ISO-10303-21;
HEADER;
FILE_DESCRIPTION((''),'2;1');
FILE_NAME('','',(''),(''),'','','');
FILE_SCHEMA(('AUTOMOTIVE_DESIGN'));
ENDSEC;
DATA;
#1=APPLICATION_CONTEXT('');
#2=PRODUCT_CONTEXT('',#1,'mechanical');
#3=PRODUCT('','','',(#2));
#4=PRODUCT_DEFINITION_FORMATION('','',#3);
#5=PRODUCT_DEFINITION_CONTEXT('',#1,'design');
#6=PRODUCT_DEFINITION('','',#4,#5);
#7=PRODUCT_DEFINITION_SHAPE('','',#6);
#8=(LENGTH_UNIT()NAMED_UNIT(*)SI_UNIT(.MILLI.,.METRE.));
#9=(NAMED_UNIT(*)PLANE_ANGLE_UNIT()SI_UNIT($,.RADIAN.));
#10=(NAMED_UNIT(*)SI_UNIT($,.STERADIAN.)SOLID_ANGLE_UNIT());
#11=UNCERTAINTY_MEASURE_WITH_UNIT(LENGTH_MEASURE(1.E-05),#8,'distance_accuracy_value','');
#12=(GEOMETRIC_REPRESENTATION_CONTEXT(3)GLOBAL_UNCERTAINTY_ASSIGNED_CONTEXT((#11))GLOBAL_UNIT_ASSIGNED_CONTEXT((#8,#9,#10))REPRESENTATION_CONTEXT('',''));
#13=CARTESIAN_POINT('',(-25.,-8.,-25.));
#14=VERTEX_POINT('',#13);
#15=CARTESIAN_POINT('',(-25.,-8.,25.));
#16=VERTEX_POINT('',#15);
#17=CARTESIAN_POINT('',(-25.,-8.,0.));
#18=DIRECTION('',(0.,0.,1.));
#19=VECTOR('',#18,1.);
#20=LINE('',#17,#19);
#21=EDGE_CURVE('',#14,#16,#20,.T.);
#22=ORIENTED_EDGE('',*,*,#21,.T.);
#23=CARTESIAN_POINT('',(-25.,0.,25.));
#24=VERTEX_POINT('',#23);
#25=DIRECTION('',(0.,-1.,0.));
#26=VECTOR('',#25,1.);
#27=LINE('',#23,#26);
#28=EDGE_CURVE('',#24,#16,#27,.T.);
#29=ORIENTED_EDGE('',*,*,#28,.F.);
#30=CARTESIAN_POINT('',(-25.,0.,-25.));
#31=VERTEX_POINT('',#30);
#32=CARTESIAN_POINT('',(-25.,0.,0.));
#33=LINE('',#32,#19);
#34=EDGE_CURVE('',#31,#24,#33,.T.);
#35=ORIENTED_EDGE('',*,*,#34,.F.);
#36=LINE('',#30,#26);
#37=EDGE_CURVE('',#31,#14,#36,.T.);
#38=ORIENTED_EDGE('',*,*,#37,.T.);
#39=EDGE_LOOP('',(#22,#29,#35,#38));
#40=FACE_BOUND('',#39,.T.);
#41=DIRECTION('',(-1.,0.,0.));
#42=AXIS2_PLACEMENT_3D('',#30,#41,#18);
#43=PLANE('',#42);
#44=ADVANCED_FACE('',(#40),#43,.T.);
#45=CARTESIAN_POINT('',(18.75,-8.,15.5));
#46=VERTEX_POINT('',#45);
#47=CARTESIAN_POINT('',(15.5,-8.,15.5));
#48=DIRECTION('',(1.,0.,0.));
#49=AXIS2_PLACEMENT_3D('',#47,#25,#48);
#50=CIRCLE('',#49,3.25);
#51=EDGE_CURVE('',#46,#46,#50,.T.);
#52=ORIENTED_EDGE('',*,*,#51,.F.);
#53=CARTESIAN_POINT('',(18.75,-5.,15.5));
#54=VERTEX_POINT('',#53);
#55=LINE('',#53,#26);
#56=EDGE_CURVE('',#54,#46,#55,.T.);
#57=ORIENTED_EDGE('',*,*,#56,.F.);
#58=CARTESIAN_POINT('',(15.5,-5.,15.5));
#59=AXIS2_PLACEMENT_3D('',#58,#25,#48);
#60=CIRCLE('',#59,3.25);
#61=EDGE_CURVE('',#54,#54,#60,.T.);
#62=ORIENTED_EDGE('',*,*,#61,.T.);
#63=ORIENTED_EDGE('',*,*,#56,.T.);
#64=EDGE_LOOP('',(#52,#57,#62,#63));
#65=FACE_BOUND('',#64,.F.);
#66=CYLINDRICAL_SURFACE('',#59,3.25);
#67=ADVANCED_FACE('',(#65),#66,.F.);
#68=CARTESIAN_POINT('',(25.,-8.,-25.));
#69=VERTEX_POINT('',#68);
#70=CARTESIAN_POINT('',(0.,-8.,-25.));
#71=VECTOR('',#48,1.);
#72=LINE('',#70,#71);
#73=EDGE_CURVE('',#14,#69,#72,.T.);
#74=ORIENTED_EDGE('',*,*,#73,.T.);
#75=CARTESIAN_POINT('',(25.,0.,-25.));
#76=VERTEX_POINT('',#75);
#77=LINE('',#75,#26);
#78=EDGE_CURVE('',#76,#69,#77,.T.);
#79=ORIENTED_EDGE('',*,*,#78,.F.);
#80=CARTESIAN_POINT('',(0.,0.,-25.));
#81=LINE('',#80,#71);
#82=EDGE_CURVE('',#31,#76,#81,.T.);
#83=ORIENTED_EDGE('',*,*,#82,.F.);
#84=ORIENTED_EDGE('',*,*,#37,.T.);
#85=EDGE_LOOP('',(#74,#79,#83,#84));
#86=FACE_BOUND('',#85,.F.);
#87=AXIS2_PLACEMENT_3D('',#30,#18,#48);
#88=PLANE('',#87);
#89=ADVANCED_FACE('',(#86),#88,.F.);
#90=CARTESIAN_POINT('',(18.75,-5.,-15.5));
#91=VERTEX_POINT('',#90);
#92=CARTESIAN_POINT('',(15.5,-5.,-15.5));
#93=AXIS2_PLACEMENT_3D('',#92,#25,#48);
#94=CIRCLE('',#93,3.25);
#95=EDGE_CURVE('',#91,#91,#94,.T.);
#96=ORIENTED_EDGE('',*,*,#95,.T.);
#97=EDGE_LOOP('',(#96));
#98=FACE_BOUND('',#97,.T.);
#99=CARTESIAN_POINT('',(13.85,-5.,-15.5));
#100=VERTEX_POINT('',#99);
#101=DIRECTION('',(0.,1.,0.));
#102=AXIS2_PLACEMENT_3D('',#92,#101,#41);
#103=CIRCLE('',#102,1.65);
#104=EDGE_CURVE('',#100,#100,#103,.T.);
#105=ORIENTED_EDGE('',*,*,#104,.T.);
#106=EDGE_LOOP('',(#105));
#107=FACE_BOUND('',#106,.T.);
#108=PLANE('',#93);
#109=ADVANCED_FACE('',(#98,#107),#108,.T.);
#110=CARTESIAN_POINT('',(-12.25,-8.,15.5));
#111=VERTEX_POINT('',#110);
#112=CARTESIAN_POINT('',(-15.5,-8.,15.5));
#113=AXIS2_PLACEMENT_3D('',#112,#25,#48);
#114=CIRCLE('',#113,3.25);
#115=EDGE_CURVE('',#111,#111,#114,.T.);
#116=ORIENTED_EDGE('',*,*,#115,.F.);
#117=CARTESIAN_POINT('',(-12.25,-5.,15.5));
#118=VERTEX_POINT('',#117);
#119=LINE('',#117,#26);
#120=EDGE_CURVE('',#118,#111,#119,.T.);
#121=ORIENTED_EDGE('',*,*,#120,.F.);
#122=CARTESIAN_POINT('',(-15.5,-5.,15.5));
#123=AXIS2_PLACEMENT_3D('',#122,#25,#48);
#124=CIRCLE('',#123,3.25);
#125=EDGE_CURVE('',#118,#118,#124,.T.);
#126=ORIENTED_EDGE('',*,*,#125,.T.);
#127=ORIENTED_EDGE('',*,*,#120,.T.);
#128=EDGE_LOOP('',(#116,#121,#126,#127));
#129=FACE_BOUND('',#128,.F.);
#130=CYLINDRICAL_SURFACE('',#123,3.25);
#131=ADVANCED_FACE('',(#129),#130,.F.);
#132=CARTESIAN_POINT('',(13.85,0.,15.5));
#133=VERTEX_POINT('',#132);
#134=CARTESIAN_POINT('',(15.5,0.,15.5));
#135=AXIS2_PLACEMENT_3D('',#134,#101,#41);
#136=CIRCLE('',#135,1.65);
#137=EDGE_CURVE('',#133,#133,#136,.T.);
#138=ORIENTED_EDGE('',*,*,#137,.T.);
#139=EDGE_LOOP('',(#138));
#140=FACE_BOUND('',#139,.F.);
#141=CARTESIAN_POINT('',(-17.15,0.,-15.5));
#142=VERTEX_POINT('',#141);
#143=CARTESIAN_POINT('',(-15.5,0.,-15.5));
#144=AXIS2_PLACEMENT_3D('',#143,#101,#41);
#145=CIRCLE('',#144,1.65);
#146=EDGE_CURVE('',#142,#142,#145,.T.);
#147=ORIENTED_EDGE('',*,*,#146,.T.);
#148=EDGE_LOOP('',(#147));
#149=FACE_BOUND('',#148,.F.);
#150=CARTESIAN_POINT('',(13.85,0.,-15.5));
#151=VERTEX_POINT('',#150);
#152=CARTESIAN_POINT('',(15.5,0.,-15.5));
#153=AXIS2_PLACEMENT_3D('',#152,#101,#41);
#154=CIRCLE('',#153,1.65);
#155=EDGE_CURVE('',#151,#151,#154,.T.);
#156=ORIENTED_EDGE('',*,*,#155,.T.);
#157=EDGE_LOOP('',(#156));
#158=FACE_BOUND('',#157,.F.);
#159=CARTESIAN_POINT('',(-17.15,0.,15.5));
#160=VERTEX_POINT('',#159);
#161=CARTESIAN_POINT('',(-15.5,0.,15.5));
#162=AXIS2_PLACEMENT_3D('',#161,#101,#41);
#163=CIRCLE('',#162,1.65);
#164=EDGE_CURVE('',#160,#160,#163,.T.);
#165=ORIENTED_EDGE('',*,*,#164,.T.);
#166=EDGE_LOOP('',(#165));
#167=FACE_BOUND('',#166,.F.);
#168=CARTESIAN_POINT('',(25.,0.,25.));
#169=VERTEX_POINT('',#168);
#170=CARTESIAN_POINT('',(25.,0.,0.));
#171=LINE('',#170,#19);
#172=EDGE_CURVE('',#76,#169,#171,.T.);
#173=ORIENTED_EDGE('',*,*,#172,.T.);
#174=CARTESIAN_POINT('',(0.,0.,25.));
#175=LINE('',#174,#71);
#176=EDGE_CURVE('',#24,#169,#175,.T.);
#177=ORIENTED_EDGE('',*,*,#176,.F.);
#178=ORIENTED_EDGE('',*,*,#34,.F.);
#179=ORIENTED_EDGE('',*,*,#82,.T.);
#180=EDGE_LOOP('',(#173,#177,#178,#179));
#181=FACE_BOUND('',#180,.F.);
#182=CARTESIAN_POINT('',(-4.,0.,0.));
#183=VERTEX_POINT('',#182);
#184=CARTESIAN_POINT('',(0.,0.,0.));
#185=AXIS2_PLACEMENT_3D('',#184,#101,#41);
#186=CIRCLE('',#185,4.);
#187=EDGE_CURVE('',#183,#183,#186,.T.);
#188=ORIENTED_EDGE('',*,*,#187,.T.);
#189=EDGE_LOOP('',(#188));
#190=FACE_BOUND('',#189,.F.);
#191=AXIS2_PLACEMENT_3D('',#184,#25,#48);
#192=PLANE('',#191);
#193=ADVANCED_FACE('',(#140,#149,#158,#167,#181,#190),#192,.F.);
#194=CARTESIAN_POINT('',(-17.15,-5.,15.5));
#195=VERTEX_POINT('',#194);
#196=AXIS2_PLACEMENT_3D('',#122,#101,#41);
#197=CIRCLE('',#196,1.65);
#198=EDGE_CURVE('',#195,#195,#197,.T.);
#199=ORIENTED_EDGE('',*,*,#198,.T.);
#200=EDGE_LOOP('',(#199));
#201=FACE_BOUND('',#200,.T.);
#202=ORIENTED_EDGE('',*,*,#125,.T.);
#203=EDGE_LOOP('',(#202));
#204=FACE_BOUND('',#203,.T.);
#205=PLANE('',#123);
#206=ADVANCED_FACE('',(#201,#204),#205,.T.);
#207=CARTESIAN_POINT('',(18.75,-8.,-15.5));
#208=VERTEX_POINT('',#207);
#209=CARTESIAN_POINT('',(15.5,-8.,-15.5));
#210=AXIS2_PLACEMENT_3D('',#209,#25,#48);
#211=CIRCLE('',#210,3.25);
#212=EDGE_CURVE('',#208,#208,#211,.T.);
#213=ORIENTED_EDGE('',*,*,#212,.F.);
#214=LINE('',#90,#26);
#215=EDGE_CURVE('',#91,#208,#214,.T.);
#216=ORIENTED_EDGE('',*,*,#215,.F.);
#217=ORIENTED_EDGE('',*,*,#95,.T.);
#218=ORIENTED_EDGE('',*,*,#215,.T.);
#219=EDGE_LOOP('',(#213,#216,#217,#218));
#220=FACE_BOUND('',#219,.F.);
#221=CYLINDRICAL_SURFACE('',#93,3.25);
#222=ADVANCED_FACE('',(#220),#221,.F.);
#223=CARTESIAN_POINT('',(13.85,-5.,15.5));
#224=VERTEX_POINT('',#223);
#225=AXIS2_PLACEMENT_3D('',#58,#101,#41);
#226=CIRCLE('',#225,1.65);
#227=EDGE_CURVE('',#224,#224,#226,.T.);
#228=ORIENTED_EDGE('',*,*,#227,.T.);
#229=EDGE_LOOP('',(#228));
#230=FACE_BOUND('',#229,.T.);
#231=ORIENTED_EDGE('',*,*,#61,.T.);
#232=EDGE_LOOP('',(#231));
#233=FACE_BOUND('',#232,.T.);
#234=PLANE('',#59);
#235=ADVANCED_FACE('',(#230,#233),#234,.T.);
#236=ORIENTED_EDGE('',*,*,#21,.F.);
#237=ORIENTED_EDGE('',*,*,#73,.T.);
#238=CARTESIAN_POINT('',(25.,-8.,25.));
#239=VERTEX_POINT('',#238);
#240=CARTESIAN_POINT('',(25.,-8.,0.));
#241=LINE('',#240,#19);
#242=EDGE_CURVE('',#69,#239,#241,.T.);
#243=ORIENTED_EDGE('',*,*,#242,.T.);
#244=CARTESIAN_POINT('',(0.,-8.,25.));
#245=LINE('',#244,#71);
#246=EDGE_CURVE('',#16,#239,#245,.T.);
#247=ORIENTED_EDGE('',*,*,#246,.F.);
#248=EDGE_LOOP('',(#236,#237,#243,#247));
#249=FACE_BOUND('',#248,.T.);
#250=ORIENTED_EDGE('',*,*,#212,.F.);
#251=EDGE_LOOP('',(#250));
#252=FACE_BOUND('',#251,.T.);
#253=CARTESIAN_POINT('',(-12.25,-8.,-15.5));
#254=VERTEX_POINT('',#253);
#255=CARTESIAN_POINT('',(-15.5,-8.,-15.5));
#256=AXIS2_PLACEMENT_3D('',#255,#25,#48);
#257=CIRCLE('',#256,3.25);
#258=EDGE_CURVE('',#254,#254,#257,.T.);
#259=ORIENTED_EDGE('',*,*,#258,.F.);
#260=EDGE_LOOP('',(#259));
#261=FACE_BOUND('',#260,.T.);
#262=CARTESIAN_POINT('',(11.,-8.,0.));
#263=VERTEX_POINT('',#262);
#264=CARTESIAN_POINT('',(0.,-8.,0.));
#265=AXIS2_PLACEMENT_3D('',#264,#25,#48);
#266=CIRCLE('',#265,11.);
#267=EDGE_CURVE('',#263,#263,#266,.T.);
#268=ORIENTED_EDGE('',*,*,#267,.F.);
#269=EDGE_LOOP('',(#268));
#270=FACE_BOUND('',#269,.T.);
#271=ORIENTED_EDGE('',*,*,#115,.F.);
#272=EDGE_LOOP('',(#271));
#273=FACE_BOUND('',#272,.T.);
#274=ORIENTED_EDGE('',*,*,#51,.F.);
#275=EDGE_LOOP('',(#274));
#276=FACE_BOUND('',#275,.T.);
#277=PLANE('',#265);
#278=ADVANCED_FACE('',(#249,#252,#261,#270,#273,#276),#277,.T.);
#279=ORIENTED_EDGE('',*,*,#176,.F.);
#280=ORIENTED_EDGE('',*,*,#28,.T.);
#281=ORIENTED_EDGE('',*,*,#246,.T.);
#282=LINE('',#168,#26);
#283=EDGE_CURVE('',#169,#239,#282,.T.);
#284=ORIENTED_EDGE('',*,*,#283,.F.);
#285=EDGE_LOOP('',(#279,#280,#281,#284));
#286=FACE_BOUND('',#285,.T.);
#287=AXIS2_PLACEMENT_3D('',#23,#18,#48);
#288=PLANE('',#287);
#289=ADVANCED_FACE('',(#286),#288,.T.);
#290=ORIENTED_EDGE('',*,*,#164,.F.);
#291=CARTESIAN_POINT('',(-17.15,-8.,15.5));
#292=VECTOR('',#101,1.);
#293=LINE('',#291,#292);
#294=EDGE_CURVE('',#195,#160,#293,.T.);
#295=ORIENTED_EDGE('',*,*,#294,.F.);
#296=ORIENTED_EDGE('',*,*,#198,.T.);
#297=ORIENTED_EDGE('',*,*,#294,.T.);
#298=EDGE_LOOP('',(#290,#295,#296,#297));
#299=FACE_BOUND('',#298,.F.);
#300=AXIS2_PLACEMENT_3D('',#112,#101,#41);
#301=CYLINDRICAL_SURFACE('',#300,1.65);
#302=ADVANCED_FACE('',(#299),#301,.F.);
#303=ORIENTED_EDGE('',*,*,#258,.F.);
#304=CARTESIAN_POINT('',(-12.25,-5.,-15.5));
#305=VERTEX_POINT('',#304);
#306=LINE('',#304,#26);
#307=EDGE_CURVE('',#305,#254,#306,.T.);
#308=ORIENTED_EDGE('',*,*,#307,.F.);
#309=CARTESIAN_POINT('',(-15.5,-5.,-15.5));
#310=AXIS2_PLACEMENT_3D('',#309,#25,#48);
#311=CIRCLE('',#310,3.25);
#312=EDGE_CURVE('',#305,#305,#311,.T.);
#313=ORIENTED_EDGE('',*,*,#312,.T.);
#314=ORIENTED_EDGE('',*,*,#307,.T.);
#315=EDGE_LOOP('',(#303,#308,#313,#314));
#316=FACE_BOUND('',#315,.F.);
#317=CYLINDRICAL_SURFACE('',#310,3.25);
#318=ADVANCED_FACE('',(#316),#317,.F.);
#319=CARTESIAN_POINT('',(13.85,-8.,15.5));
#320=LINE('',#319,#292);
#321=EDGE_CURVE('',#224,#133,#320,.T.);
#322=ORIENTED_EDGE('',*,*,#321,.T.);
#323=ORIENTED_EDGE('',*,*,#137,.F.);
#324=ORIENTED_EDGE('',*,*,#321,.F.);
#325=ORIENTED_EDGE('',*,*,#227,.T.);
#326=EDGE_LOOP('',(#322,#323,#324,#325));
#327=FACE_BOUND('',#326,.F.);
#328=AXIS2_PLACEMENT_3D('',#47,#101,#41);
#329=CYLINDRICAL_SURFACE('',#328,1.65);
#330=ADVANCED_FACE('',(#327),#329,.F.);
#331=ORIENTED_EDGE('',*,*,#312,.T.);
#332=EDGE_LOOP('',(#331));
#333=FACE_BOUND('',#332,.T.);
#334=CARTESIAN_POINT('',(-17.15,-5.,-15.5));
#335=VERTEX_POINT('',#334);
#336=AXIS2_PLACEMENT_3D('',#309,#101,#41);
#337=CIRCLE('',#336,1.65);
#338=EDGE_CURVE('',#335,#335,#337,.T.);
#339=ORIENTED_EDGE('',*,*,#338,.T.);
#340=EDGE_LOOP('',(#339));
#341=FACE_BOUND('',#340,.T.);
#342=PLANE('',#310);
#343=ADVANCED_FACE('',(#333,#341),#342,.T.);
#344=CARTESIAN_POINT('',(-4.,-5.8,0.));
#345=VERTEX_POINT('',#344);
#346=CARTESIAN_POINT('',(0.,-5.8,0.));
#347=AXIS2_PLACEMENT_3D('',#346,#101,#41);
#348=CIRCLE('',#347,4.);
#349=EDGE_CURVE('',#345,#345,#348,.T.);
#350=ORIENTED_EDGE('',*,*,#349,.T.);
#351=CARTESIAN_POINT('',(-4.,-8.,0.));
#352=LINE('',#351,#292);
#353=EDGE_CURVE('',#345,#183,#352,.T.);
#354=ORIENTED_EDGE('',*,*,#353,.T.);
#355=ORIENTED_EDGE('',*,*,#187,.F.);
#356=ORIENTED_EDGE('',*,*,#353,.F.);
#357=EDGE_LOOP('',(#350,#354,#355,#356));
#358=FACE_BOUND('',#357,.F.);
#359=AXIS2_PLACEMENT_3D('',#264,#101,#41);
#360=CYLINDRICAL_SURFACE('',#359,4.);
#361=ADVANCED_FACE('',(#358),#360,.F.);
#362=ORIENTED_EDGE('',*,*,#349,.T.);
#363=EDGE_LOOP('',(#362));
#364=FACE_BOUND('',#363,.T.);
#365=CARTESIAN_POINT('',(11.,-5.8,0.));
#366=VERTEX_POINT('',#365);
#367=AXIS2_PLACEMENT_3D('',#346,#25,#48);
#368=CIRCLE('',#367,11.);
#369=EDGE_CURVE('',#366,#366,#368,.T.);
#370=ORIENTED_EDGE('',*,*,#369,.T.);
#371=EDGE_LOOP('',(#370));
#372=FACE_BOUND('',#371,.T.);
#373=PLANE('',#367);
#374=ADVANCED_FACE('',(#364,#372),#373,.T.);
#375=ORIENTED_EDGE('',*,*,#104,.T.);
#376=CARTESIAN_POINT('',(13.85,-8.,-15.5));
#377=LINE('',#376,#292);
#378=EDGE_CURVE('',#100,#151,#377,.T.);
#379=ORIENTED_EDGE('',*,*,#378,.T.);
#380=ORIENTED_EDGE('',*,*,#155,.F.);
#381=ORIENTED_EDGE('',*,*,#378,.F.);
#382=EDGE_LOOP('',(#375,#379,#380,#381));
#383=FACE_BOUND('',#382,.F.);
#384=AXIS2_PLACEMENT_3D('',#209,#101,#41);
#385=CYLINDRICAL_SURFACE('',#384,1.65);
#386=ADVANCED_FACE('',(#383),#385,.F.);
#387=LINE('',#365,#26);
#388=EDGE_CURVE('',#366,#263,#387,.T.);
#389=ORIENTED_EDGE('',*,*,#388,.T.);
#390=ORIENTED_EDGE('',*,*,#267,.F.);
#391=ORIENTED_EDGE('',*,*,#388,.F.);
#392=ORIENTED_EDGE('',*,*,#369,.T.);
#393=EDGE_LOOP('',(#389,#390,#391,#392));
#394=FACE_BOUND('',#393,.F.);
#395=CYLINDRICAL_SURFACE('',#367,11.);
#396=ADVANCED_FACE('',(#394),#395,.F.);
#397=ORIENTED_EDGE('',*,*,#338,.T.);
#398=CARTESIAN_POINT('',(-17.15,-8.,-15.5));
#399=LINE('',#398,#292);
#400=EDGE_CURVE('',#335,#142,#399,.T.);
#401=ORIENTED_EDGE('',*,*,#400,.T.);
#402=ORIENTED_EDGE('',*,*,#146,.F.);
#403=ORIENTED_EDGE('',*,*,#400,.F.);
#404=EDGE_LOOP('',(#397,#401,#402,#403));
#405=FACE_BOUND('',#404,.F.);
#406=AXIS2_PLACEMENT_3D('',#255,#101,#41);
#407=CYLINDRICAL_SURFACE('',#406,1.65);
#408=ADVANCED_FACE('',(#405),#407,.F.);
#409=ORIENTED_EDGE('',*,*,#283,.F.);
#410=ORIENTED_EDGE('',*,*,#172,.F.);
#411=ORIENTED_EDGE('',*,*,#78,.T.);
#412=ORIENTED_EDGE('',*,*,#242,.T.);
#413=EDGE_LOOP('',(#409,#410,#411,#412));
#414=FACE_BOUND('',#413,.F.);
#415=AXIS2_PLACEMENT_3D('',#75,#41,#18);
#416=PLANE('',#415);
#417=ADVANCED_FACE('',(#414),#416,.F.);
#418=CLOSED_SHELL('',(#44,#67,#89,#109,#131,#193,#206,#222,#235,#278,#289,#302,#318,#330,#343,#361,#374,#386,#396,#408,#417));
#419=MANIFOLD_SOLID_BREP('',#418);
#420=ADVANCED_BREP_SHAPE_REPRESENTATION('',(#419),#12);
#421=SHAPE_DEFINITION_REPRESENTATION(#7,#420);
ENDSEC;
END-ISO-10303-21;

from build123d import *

# Parameters (mm, degrees)
F0_W           = 50
F0_H           = 50
F1_DEPTH       = 8
F3_D           = 8
F3_CBORE_D     = 22
F3_CBORE_DEPTH = 2.2
F5_D           = 3.3
F5_CBORE_D     = 6.5
F5_CBORE_DEPTH = 3


with BuildPart() as f1:
    # F0 (on Front) → F1 (new body)
    with BuildSketch(Plane.XZ):
        Rectangle(F0_W, F0_H)
    extrude(amount=F1_DEPTH)

    # F3 (through all)
    with Locations(Plane.XZ.offset(8)):
        with Locations((0, 0)):
            CounterBoreHole(F3_D / 2, F3_CBORE_D / 2, F3_CBORE_DEPTH)

    # F5 (through all)
    with Locations(Plane.XZ.offset(8)):
        with Locations((15.5, 15.5), (-15.5, 15.5), (-15.5, -15.5), (15.5, -15.5)):
            CounterBoreHole(F5_D / 2, F5_CBORE_D / 2, F5_CBORE_DEPTH)


solid = f1.part
